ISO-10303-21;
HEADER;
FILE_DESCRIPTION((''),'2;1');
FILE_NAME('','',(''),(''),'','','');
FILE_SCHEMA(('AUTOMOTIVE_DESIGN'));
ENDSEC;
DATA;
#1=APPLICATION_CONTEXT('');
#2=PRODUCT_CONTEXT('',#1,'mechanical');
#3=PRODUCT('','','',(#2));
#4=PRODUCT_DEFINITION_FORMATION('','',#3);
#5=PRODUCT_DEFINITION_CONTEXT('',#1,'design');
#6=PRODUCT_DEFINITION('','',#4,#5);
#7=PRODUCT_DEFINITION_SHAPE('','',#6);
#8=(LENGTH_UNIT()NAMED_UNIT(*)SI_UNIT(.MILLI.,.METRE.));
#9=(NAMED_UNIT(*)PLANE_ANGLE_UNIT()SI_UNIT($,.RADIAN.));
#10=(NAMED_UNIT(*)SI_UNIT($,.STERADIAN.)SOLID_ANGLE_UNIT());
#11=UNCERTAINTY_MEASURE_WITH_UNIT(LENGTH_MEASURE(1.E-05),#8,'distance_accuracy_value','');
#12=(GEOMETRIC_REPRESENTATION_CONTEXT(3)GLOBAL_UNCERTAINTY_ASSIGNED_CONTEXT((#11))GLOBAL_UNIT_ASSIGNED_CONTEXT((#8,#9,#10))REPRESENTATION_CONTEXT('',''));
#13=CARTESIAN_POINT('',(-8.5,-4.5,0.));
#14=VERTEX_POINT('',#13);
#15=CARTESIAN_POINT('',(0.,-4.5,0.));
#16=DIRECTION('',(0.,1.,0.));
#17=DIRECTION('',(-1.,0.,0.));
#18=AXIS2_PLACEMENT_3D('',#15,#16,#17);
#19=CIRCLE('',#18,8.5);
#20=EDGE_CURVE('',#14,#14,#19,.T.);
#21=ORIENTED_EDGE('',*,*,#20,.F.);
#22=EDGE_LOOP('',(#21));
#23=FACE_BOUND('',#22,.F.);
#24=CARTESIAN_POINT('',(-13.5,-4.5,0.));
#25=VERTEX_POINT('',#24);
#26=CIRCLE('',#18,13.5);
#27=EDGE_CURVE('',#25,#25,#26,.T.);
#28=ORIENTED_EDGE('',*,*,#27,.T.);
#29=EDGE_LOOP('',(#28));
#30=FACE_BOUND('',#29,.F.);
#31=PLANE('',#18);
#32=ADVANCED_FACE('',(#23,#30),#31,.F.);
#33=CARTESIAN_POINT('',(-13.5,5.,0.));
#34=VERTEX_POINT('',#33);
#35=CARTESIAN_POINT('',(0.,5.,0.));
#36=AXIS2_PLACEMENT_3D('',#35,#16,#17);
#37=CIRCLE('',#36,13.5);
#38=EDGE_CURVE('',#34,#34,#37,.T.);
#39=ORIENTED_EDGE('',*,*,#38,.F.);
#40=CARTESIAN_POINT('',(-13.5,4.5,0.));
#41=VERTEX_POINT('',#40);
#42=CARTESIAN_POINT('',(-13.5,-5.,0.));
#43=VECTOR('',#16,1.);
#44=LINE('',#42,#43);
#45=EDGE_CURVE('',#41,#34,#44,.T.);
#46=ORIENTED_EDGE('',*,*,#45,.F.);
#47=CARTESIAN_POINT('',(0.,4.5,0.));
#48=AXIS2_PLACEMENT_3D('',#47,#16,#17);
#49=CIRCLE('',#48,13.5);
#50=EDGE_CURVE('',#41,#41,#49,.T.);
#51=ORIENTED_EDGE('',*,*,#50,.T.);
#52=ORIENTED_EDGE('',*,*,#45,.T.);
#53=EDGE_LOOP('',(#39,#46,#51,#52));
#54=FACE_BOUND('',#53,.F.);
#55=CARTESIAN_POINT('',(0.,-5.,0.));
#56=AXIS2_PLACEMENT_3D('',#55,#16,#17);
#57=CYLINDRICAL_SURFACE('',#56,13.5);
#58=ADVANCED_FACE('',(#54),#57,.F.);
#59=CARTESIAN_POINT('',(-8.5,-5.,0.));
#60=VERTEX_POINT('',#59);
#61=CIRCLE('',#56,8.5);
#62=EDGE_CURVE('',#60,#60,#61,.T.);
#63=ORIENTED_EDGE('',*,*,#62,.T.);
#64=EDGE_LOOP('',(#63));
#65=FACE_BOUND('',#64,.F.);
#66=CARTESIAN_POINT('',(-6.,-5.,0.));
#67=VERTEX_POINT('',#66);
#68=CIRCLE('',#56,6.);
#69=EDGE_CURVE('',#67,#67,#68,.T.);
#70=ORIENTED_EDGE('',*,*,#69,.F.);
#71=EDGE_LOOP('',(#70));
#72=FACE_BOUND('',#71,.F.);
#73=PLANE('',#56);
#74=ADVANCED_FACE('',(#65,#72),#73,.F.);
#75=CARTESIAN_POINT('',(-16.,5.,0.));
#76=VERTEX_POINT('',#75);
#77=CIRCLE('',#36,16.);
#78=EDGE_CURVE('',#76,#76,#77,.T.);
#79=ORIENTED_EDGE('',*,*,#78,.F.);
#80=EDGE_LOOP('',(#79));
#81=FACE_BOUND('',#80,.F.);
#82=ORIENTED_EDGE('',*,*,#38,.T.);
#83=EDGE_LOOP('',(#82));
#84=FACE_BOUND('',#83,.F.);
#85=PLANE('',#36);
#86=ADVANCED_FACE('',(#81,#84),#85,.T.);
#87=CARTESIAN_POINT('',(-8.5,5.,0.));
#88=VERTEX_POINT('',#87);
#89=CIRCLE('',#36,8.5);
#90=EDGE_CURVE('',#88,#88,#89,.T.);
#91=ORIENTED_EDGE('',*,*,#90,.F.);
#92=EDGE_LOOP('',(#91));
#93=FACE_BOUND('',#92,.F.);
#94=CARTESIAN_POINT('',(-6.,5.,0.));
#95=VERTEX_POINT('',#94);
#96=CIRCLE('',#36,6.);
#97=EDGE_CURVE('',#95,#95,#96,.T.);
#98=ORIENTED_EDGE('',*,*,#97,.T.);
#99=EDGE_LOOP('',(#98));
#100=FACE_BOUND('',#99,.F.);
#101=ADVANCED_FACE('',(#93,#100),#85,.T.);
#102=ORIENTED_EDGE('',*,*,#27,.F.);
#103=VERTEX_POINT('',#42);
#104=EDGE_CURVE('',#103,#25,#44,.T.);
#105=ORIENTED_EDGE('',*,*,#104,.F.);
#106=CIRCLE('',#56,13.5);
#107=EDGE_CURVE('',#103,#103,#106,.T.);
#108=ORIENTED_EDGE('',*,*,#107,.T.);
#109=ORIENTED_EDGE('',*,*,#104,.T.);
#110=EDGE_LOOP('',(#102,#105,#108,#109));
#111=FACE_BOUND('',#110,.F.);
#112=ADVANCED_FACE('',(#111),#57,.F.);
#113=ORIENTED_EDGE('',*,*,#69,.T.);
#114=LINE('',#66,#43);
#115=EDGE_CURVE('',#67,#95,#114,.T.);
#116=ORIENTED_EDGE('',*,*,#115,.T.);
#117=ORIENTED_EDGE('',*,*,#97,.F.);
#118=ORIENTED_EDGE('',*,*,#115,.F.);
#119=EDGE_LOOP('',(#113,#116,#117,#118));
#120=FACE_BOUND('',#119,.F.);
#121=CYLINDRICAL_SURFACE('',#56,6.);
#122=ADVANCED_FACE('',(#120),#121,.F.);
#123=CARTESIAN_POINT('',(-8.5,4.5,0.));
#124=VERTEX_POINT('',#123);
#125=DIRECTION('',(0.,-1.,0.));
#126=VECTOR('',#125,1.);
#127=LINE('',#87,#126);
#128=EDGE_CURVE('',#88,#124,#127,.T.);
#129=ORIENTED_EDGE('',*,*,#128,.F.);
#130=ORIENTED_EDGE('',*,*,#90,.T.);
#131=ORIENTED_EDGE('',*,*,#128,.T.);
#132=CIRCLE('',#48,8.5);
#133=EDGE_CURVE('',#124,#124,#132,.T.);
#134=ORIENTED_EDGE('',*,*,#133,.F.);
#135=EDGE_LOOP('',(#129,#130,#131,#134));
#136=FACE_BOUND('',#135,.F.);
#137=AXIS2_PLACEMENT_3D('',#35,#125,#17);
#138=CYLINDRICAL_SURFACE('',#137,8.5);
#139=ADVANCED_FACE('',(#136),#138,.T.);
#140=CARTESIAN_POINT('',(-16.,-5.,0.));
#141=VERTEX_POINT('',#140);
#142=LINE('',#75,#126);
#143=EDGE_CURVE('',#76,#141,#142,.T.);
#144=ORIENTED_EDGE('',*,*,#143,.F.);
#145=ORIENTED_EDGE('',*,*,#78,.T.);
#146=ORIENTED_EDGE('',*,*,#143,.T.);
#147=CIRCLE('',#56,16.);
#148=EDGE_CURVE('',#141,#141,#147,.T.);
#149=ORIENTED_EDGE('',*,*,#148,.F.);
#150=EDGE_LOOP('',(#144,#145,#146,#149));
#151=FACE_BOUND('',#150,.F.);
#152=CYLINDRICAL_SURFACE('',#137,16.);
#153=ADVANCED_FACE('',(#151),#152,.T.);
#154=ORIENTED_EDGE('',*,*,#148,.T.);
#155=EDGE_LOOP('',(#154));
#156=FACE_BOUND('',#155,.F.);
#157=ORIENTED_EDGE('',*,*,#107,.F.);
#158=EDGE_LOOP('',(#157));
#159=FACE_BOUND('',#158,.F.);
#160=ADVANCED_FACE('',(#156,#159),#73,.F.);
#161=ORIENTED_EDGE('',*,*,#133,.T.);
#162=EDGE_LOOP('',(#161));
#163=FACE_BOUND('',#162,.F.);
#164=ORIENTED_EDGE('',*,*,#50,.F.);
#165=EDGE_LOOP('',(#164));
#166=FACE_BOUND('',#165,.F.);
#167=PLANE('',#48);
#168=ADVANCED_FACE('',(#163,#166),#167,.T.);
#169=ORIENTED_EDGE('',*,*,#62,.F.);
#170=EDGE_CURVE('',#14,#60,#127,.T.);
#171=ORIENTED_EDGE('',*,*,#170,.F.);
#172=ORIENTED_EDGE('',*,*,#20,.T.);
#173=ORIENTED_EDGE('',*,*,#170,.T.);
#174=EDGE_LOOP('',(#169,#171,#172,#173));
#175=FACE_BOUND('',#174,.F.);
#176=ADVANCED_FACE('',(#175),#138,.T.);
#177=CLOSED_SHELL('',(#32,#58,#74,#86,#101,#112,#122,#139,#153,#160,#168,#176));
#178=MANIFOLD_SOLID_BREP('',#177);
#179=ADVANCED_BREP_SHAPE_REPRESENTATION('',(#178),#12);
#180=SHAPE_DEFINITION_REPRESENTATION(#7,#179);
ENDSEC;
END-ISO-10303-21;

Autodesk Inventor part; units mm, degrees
ref_plane "YZ Plane" through (0, 0, 0) normal (1, 0, 0) x (0, 1, 0)
ref_plane "XZ Plane" through (0, 0, 0) normal (0, 1, 0) x (-1, 0, 0)
ref_plane "XY Plane" through (0, 0, 0) normal (0, 0, 1) x (1, 0, 0)
sketch "Sketch2" plane through (0, 0, 0) normal (0, 0, 1) x (1, 0, 0)
  line L0 (0, 0) -> (0, 4.9506) construction
  line L1 (-8.5, -5) -> (-6, -5)
  line L2 (-6, -5) -> (-6, 5)
  line L3 (-6, 5) -> (-8.5, 5)
  line L4 (-8.5, 5) -> (-8.5, -5)
  line L5 (-8.5, -5) -> (-6, 5) construction
  line L6 (-6, -5) -> (-8.5, 5) construction
  line L7 (-16, -5) -> (-13.5, -5)
  line L8 (-13.5, -5) -> (-13.5, 5)
  line L9 (-13.5, 5) -> (-16, 5)
  line L10 (-16, 5) -> (-16, -5)
  line L11 (-16, -5) -> (-13.5, 5) construction
  line L12 (-13.5, -5) -> (-16, 5) construction
  line L13 (-13.5, -4.5) -> (-8.5, -4.5)
  line L14 (-8.5, -4.5) -> (-8.5, 4.5)
  line L15 (-8.5, 4.5) -> (-13.5, 4.5)
  line L16 (-13.5, 4.5) -> (-13.5, -4.5)
  line L17 (-13.5, -4.5) -> (-8.5, 4.5) construction
  line L18 (-8.5, -4.5) -> (-13.5, 4.5) construction
  point P0 (-7.25, 0)
  point P1 (-14.75, 0)
  point P2 (-11, 0)
  point P3 (-14.75, 0)
  point P4 (-7.25, 0)
  dimension "d11" = 12
  dimension "d12" = 32
  dimension "d13" = 2.5
  dimension "d14" = 2.5
  dimension "d15" = 10
  dimension "d16" = 9
revolve "Revolution1" add sketch "Sketch2" angle 360 about axis through (0, 0, 0) along (0, 1, 0)
properties part number "P03 - Bearing 62012" material "SAE 1020"
